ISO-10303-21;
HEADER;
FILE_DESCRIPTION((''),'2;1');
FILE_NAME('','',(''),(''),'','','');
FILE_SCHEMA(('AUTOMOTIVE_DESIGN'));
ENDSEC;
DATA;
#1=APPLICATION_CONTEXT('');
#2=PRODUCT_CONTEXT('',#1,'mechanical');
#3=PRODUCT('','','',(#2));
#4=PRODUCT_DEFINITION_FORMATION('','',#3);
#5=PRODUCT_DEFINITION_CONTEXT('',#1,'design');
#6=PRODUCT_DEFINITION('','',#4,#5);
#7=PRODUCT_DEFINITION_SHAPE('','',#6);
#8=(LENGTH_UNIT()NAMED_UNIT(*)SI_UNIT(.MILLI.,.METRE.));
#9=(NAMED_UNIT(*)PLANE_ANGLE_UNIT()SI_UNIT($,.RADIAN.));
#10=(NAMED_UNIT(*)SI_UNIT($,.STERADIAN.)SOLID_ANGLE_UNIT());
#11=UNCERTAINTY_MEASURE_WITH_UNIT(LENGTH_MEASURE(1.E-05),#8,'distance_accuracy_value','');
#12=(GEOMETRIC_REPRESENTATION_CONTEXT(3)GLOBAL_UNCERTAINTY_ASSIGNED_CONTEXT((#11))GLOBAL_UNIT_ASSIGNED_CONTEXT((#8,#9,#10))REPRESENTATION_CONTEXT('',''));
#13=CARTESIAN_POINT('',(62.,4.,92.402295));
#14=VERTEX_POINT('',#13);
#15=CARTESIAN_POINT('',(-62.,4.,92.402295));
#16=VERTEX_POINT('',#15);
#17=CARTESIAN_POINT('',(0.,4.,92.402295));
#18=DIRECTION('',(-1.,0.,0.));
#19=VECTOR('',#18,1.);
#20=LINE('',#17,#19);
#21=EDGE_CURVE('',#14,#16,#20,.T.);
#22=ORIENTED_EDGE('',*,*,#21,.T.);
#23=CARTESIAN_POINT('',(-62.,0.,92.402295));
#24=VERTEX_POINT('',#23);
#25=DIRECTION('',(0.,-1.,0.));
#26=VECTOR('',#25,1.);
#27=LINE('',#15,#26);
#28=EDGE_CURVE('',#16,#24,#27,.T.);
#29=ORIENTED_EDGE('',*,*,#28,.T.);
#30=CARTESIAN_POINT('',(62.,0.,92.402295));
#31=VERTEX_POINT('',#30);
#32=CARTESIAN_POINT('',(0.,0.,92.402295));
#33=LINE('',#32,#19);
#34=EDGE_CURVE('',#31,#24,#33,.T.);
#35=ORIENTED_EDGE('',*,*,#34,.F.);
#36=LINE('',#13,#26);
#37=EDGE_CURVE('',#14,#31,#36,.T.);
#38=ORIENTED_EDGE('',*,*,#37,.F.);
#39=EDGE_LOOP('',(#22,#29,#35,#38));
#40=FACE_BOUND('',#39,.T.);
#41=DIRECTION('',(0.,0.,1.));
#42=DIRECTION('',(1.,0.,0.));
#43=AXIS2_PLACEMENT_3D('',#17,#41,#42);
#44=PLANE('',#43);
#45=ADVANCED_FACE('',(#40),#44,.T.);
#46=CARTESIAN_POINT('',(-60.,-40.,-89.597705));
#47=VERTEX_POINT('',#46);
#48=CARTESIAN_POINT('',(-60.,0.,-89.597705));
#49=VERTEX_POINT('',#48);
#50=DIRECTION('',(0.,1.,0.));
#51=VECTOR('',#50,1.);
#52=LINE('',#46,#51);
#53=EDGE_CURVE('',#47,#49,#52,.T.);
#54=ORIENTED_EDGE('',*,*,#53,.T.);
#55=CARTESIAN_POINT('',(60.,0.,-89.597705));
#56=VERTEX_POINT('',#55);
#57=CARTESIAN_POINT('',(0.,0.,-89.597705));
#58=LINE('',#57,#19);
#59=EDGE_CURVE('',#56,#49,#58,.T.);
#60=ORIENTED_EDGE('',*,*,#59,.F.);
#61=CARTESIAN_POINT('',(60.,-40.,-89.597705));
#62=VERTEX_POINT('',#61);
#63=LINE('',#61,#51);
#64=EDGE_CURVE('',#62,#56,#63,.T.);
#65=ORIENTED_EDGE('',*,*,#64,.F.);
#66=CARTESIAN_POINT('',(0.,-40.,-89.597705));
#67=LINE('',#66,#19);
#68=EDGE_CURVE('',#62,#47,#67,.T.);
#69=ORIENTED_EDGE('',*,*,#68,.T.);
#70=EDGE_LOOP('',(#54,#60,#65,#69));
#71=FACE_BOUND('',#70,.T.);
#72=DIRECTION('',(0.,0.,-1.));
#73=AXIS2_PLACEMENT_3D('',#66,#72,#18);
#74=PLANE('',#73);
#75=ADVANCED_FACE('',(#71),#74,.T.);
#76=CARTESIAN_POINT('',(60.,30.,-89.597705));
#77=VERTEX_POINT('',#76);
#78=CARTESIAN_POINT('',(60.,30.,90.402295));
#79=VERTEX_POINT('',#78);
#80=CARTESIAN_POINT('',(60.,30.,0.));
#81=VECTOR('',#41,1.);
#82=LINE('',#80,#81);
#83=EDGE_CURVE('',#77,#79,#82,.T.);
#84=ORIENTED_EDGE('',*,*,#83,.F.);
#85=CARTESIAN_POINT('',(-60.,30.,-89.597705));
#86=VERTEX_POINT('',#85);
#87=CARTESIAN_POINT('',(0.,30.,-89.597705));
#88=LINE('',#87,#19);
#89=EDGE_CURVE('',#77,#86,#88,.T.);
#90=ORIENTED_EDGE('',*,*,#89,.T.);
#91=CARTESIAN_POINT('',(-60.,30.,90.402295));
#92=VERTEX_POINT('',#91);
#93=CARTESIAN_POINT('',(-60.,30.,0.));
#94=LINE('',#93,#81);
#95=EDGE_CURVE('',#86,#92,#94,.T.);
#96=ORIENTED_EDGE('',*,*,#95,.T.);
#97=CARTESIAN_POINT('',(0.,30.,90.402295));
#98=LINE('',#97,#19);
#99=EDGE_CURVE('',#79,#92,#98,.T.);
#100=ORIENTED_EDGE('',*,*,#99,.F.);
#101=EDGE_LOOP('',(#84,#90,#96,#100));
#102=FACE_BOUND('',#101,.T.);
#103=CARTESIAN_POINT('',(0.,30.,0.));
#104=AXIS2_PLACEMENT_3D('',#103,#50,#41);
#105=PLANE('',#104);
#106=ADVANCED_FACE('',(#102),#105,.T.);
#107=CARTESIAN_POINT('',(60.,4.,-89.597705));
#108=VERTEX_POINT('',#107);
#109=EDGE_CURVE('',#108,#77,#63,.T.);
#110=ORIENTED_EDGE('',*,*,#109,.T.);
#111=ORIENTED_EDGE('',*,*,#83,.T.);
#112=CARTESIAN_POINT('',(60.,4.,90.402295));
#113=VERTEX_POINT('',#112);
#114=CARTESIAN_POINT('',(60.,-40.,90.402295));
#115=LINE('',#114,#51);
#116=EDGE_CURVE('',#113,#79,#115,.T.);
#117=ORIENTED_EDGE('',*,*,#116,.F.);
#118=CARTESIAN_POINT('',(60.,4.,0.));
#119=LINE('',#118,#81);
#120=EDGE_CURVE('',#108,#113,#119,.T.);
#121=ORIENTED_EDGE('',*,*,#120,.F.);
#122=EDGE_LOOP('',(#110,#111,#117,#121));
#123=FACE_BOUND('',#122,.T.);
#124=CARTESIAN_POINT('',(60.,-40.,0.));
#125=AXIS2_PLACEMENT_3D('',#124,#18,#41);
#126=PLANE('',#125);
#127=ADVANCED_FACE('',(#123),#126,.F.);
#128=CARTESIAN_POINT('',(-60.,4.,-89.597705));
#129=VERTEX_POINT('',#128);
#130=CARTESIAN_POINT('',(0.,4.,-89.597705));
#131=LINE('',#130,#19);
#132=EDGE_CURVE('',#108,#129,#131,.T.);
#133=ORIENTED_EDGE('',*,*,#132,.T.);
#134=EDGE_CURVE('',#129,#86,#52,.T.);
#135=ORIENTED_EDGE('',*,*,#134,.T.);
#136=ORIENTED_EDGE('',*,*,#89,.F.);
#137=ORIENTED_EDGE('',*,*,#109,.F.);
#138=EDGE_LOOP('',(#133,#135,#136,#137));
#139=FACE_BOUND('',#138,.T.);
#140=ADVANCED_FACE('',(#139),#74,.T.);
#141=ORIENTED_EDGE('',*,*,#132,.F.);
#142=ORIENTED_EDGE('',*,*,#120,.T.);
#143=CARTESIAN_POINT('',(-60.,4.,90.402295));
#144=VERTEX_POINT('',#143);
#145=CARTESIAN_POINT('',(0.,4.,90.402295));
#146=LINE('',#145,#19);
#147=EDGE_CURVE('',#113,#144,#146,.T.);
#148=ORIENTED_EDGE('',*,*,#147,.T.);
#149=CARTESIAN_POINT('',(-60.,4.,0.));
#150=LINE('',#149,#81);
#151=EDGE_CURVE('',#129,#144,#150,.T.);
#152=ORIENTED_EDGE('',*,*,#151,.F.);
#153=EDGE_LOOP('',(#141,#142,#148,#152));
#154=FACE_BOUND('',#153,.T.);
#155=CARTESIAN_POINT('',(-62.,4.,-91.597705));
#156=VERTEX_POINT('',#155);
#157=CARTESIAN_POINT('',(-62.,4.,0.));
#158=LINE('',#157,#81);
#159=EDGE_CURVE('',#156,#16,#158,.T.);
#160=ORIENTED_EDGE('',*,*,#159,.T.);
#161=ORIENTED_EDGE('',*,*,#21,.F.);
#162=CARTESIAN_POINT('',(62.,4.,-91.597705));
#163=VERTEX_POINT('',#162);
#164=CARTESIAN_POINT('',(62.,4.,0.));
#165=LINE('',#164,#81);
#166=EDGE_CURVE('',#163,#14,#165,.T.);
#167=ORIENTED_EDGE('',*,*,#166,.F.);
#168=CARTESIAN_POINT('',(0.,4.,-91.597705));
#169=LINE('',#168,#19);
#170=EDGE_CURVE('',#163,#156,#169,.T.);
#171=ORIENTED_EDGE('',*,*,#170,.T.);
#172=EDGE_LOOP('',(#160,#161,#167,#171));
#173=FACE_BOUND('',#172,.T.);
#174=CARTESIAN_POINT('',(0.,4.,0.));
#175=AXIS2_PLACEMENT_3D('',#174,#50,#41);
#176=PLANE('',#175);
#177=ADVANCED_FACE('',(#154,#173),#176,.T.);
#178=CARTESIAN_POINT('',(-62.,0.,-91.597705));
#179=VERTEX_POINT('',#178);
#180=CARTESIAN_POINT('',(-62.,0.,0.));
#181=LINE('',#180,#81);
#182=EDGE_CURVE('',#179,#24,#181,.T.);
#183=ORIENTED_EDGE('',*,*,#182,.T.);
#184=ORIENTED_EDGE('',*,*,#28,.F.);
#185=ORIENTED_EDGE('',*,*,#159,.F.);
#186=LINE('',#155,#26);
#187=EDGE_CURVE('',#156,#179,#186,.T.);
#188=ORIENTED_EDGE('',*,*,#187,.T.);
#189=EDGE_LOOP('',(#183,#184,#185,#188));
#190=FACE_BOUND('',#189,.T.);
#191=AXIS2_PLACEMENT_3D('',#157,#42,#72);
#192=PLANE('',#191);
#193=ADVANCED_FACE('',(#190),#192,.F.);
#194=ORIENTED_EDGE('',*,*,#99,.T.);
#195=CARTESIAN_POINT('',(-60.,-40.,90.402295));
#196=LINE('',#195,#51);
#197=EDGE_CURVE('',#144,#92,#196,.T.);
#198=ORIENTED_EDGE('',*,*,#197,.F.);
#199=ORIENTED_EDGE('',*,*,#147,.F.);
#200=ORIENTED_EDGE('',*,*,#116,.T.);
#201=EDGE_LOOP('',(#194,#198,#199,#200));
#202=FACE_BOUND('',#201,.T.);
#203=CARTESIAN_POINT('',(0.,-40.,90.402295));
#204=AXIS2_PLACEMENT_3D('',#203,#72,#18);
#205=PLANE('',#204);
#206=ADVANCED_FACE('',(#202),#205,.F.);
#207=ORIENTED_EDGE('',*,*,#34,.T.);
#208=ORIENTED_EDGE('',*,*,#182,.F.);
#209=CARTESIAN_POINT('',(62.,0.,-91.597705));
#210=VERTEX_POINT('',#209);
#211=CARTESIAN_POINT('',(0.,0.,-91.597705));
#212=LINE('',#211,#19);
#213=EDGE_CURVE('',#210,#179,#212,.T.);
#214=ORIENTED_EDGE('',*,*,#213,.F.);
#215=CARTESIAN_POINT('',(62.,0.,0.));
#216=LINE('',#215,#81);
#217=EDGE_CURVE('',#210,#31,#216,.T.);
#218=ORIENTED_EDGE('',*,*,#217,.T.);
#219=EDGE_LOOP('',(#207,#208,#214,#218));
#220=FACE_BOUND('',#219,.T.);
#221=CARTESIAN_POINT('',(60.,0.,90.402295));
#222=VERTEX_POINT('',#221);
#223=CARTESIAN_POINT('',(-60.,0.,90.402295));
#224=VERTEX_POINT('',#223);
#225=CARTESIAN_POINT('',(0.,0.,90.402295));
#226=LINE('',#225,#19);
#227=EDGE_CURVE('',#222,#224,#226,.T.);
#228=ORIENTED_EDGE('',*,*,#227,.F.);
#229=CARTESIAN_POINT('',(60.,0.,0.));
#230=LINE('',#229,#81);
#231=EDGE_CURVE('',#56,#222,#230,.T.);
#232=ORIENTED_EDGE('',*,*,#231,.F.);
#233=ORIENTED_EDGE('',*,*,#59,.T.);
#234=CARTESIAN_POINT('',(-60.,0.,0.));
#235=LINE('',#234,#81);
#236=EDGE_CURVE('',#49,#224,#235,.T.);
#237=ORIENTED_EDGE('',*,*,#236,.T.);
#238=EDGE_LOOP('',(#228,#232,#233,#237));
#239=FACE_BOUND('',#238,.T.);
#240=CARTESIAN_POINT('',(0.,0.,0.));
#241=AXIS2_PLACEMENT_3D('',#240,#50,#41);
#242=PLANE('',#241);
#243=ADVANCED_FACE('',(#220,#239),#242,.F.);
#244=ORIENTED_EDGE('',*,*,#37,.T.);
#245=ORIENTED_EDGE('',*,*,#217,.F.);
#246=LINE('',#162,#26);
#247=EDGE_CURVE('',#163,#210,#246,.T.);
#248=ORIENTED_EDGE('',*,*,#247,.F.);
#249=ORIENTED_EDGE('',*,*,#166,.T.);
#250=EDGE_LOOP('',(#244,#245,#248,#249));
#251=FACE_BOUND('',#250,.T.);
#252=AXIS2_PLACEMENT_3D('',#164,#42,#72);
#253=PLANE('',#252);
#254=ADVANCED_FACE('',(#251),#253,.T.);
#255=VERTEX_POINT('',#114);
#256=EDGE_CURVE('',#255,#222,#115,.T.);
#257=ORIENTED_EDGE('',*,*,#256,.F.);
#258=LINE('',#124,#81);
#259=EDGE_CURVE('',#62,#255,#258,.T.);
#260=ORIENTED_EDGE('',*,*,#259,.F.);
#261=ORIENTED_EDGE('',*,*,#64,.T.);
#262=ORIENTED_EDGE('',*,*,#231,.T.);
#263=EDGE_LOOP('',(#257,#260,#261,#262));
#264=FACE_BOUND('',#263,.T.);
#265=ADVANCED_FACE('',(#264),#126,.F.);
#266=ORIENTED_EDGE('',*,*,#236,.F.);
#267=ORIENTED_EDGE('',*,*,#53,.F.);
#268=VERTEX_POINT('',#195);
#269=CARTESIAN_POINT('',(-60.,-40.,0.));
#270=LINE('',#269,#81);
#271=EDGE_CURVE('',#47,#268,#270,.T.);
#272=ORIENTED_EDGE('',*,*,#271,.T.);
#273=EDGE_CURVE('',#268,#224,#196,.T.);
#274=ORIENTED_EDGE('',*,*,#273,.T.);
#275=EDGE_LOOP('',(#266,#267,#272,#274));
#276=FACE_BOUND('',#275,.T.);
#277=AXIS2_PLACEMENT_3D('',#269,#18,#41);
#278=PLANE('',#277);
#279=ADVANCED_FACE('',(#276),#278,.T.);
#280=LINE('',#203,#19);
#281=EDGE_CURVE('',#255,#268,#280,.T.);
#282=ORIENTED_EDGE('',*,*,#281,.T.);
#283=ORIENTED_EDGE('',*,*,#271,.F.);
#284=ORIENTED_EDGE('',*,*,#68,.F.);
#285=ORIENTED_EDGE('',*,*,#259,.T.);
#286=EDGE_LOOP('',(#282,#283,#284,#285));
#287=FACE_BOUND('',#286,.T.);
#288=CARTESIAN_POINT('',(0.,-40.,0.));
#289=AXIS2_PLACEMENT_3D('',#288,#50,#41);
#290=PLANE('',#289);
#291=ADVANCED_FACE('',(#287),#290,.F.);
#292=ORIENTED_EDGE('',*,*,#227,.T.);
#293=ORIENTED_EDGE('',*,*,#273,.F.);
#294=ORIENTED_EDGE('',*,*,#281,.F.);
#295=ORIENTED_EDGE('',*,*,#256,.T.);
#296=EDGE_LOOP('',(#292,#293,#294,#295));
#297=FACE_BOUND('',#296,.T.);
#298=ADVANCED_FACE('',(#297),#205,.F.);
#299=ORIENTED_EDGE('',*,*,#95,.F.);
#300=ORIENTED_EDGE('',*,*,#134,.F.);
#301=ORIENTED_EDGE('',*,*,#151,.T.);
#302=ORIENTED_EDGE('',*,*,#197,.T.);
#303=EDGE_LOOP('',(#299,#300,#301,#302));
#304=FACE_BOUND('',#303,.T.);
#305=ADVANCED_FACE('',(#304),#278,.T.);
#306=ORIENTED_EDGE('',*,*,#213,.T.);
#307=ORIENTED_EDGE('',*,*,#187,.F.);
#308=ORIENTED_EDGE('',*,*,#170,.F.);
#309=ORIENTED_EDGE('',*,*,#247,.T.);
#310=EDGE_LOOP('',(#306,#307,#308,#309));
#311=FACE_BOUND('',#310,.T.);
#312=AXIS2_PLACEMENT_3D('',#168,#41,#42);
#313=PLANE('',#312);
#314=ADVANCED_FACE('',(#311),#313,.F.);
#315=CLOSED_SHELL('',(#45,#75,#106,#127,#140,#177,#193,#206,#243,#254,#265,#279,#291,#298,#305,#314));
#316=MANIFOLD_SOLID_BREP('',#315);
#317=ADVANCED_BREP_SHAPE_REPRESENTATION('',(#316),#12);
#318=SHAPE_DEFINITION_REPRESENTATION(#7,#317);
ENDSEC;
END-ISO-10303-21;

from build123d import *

# Parameters (mm, degrees)
SKETCH1_W                = 124
SKETCH1_H                = 184
SKETCH1_W_2              = 120
SKETCH1_H_2              = 180
BOSS_EXTRUDE1_DEPTH      = 4
BOSS_EXTRUDE2_DEPTH      = 30
BOSS_EXTRUDE2_DEPTH_BACK = 40
SKETCH1_3_W              = 120
SKETCH1_3_H              = 180


with BuildPart() as part:
    # Sketch1 → Boss-Extrude1 (new body)
    with BuildSketch(Plane(origin=(0, 0, 0), x_dir=(1, 0, 0), z_dir=(0, 1, 0))):
        with Locations((0, -0.402295225)):
            Rectangle(SKETCH1_W, SKETCH1_H)
        with Locations((0, -0.402295225)):
            Rectangle(SKETCH1_W_2, SKETCH1_H_2, mode=Mode.SUBTRACT)
    extrude(amount=BOSS_EXTRUDE1_DEPTH)

    # Sketch1<3> → Boss-Extrude2 (add, two sides: drawn at the far end of the back side and taken through both)
    with BuildSketch(Plane(origin=(0, 0, 0), x_dir=(1, 0, 0), z_dir=(0, 1, 0)).offset(-BOSS_EXTRUDE2_DEPTH_BACK)):
        with Locations((0, -0.402295225)):
            Rectangle(SKETCH1_3_W, SKETCH1_3_H)
    extrude(amount=BOSS_EXTRUDE2_DEPTH + BOSS_EXTRUDE2_DEPTH_BACK)


solid = part.part
